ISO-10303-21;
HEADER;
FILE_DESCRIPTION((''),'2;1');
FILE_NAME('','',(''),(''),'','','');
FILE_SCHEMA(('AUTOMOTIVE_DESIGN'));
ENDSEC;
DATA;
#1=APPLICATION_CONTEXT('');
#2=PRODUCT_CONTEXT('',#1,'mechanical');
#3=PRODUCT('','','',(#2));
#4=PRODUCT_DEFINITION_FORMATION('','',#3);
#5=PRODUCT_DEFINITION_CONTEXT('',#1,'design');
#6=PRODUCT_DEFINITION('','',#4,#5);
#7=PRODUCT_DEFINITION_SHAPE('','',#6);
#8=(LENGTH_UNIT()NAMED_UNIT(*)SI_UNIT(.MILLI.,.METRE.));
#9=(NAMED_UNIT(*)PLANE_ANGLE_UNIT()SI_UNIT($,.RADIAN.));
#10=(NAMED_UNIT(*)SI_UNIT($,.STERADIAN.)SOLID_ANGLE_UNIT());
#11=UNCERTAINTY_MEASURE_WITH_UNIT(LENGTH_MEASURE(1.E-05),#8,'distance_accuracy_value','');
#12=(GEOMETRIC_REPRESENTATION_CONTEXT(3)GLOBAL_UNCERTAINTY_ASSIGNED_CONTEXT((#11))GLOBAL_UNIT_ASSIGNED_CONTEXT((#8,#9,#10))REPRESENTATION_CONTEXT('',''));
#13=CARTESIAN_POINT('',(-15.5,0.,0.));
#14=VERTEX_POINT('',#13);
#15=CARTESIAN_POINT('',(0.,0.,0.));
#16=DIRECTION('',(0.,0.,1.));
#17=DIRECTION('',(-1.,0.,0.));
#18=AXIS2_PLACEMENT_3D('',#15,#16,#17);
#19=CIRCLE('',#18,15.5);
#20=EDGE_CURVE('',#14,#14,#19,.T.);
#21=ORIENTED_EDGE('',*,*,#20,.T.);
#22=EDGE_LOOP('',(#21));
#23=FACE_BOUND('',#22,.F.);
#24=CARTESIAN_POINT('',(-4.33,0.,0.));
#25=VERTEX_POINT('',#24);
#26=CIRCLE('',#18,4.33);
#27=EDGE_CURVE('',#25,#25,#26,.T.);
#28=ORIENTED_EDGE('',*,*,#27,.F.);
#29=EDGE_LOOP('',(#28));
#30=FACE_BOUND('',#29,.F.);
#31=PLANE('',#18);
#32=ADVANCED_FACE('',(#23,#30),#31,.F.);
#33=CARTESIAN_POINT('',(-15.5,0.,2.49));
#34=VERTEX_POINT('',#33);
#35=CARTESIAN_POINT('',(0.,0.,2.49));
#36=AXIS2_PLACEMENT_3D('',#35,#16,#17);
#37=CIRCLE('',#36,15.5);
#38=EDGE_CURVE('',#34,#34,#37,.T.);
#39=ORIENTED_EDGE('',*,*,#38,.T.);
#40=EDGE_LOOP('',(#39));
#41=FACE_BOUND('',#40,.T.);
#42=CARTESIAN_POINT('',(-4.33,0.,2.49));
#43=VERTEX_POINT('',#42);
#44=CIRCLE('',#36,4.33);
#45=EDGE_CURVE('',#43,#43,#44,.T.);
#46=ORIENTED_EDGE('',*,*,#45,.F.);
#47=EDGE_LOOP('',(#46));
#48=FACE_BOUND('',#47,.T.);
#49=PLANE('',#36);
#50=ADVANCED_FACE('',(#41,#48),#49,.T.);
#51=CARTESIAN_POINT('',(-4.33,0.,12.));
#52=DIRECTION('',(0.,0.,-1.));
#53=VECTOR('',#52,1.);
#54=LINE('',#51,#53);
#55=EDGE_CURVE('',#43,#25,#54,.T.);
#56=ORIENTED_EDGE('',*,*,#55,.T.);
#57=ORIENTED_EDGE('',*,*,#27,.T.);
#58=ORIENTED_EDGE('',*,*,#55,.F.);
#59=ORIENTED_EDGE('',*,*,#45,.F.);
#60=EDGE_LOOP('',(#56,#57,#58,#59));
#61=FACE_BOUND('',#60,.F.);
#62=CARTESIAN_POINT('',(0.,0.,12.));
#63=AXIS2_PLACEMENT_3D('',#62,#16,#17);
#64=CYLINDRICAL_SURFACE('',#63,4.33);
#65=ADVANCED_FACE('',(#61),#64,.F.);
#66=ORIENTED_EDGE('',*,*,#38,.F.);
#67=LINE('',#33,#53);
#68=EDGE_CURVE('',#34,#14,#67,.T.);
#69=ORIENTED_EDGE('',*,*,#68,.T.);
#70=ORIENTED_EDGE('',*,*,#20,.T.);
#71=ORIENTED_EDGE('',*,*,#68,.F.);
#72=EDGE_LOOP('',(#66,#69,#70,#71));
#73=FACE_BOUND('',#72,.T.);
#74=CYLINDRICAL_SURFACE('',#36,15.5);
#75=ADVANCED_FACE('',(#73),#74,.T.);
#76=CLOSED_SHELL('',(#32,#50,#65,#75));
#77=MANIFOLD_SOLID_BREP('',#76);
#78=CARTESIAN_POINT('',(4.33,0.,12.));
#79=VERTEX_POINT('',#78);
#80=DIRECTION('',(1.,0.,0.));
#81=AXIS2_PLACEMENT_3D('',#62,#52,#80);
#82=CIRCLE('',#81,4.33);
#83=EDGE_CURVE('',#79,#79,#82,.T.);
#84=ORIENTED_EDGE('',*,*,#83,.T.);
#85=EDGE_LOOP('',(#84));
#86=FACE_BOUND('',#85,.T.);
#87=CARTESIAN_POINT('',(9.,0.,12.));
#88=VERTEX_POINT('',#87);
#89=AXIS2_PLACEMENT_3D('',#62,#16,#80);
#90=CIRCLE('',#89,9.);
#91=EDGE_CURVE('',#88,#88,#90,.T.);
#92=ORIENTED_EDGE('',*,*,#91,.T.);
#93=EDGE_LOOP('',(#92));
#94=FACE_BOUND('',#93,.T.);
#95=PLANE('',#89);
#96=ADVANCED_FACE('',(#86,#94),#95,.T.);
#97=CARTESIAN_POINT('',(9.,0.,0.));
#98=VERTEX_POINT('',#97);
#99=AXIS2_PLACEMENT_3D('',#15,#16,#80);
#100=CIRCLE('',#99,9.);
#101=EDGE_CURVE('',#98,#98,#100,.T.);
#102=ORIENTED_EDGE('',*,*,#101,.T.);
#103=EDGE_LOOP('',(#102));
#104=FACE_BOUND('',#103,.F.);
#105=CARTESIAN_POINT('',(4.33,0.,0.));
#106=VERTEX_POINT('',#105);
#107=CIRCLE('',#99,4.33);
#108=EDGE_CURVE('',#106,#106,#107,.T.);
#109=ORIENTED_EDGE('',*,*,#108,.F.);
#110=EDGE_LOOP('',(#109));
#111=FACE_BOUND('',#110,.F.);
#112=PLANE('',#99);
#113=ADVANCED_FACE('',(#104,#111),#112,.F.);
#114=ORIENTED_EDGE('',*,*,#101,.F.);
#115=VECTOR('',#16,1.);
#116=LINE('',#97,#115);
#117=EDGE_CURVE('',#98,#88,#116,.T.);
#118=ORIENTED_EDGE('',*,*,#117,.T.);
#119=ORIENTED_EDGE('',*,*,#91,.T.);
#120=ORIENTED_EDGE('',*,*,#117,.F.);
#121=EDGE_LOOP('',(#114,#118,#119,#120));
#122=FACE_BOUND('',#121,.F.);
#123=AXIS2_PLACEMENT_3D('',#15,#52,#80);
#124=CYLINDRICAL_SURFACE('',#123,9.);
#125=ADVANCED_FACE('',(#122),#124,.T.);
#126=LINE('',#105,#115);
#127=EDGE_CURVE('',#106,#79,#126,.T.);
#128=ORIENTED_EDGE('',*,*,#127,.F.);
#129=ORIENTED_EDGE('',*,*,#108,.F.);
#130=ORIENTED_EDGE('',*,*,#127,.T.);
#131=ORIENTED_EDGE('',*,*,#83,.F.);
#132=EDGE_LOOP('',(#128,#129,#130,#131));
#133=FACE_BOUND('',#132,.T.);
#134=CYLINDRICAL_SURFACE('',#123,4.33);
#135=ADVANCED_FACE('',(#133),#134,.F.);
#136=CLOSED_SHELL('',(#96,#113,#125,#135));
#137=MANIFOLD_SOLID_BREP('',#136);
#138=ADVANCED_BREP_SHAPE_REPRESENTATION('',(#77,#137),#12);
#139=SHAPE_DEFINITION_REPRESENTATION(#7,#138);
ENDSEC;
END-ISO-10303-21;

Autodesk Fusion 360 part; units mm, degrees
sketch "Sketch1" plane through (0, 0, 0) normal (0, 0, 1) x (1, 0, 0)
  circle A0 centre (0, 0) radius 11.99
  dimension "d1" = 23.98
sketch "Sketch2" plane through (0, 0, 0) normal (0, 0, 1) x (1, 0, 0)
  circle A0 centre (0, 0) radius 9
  dimension "d2" = 18
sketch "Sketch3" plane through (0, 0, 0) normal (0, 1, 0) x (1, 0, 0)
sketch "Sketch4" plane through (0, 0, 0) normal (0, 0, 1) x (1, 0, 0)
  circle A0 centre (0, 0) radius 4.33
  dimension "d3" = 8.66
extrude "Extrude1" add sketch "Sketch1" along normal blind 2.49 makes body 1
extrude "Extrude2" add sketch "Sketch2" along normal blind 12 separate body makes body 2
extrude "Extrude3" cut sketch "Sketch4" along normal blind 25 bodies 1 2
sketch "Sketch5" plane through (0, 0, 2.49) normal (0, 0, 1) x (-1, 0, 0)
  circle A0 centre (0, 0) radius 4.33
  circle A1 centre (0, 0) radius 11.99
sketch "Sketch6" plane through (0, 0, 2.49) normal (0, 0, 1) x (-1, 0, 0)
  circle A0 centre (0, 0) radius 15.5
  dimension "d10" = 31
extrude "Extrude4" add sketch "Sketch6" against normal blind 2.49 separate body makes body 3
extrude "Extrude5" add sketch "Sketch4" along normal blind 30 separate body makes body 4
sketch "Boceto7" plane through (0, 0, 12) normal (0, 0, 1) x (-1, 0, 0)
  circle A0 centre (0, 0) radius 4.33
  circle A1 centre (0, 0) radius 9
  circle A2 centre (0, 0) radius 4.33
  dimension "d15" = 8.66
extrude "Extruir6" cut sketch "Boceto7" against normal blind 13 contours A0 A2 bodies 3
hidden bodies 1 4
